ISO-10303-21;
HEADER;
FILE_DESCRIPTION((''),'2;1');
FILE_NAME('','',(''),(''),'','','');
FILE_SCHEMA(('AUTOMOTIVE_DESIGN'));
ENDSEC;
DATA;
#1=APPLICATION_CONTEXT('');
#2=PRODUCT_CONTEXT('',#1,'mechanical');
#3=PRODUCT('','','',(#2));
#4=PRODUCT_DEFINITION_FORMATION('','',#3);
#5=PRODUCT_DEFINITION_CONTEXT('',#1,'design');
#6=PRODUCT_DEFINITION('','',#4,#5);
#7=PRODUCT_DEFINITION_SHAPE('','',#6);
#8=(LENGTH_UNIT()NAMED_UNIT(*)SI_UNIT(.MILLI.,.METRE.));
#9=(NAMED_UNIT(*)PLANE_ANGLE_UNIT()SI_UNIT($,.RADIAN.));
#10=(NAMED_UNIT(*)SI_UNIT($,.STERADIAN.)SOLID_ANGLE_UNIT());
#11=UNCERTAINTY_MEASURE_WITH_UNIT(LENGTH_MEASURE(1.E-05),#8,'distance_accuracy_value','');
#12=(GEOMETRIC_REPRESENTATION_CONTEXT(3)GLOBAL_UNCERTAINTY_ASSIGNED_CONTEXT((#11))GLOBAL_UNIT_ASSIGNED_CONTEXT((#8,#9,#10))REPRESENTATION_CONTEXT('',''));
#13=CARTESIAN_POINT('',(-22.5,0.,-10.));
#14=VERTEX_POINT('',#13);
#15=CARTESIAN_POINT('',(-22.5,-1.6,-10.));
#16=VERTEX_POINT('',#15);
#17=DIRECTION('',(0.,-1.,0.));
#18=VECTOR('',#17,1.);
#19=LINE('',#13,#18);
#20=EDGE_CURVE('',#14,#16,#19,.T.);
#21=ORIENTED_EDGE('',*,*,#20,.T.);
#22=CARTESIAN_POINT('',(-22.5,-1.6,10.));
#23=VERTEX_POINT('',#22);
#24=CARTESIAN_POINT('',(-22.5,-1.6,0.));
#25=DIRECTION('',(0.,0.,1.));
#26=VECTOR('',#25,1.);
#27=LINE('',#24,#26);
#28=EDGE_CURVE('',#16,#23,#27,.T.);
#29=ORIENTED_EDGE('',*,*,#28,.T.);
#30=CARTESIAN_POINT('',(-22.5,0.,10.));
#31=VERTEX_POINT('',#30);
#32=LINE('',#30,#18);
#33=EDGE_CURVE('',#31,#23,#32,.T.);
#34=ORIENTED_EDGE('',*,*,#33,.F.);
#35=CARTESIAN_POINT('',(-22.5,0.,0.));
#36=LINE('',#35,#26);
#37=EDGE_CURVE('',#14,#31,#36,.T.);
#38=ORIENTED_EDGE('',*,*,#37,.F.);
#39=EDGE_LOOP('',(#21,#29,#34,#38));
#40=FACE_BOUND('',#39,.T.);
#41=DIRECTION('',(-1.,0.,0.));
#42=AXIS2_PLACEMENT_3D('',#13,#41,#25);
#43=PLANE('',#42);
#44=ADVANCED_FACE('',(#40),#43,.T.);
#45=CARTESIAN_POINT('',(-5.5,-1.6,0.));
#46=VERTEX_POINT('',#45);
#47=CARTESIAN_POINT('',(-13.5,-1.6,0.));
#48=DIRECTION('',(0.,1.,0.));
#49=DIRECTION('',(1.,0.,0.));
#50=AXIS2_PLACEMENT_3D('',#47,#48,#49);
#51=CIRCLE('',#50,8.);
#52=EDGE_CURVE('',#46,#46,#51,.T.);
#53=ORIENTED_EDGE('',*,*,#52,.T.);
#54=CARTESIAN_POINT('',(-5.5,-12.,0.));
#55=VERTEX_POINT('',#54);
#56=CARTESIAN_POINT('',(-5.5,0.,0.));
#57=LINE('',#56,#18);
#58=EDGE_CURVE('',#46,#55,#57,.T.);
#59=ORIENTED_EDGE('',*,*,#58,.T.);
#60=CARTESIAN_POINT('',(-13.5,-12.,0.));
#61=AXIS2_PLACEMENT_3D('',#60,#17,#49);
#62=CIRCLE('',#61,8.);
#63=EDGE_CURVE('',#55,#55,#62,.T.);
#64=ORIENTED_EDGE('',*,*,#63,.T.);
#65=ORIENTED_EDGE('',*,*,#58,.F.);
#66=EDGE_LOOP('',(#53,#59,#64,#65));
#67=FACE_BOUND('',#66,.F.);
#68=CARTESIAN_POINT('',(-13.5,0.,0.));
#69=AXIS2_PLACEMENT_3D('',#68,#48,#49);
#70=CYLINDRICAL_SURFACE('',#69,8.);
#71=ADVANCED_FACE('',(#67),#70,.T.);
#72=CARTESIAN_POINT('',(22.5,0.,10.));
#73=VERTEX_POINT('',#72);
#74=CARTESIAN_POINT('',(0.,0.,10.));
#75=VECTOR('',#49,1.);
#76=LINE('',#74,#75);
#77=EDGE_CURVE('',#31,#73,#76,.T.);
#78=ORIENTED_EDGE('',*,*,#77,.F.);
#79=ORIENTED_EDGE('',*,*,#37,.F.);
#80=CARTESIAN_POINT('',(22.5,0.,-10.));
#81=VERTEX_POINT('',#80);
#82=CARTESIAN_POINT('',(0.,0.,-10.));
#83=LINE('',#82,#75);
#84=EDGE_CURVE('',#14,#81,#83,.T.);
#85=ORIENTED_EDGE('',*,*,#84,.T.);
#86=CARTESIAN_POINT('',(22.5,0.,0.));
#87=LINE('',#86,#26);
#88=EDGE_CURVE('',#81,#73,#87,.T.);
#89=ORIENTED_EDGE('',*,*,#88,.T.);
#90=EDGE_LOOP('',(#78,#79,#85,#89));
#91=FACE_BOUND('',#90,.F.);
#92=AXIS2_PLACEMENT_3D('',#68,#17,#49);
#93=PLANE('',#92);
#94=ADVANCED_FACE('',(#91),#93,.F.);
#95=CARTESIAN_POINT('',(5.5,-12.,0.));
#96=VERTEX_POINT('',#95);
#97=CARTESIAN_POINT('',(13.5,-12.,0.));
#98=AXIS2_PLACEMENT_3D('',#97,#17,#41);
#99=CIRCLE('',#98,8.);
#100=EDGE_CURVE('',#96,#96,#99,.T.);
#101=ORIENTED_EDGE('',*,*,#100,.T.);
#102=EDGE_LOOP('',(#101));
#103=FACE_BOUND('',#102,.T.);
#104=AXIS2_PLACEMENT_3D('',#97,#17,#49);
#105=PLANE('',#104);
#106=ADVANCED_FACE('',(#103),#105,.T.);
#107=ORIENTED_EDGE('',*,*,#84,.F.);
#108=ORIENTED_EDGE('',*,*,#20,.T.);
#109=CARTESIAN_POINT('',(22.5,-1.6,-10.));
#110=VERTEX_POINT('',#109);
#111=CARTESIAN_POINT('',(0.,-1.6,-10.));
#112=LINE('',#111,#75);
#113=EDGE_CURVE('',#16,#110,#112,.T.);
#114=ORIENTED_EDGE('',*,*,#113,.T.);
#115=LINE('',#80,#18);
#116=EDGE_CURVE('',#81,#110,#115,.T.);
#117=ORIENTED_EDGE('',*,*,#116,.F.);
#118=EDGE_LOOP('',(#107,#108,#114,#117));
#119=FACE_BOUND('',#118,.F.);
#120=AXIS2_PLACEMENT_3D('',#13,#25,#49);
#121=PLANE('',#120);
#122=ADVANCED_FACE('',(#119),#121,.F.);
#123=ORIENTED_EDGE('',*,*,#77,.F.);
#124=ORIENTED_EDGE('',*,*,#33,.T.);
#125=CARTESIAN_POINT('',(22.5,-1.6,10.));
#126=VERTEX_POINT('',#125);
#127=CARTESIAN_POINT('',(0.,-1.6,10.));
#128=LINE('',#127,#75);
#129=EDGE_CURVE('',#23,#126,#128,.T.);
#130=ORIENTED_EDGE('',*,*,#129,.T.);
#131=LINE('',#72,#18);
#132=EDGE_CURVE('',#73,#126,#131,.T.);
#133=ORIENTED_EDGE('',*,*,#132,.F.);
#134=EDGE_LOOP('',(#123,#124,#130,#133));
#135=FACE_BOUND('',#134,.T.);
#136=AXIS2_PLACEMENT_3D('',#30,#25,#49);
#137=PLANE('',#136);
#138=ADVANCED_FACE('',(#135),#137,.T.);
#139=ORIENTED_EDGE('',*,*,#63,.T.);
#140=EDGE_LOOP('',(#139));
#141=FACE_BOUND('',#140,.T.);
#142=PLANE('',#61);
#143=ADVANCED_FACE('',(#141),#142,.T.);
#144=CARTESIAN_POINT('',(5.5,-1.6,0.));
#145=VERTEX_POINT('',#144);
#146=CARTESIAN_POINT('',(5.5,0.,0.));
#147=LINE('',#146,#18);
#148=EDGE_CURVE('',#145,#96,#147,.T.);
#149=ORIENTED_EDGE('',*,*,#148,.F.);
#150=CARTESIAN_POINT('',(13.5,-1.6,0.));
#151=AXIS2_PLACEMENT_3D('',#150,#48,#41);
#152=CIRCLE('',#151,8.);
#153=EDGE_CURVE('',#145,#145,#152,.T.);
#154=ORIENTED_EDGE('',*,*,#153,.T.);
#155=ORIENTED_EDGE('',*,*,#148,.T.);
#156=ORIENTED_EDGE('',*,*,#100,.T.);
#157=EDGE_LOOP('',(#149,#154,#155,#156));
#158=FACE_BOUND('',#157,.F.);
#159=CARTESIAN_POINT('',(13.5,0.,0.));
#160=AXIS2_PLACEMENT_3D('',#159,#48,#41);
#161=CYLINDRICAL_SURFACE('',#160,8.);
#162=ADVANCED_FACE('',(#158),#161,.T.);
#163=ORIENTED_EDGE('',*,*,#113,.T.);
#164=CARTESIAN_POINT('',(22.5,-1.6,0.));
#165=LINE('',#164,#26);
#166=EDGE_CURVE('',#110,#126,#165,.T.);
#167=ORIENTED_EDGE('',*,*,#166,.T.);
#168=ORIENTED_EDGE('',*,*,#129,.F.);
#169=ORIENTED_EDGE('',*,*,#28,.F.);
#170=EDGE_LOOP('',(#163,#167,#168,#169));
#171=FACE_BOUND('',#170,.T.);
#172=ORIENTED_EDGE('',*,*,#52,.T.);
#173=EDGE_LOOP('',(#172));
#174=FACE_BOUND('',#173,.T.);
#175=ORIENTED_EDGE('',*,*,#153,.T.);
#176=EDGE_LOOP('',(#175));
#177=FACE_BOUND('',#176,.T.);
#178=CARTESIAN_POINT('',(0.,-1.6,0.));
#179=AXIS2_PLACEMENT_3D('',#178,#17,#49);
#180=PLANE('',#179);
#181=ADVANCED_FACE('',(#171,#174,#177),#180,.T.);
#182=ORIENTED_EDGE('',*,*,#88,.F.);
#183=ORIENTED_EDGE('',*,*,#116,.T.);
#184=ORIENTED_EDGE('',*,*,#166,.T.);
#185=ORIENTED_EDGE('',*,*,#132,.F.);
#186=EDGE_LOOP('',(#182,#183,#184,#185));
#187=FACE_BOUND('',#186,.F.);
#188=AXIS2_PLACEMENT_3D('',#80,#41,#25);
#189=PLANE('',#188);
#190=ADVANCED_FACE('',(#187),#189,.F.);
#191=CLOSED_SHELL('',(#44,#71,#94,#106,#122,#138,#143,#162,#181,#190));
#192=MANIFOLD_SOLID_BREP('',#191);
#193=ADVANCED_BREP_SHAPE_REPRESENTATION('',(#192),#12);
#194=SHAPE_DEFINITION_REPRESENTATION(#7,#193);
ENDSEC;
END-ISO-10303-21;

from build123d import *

# Parameters (mm, degrees)
F0_W     = 45
F0_H     = 20
F1_DEPTH = 1.6
F2_R     = 8
F3_DEPTH = 12


with BuildPart() as f1:
    # F0 (on Front) → F1 (new body)
    with BuildSketch(Plane.XZ):
        Rectangle(F0_W, F0_H)
    extrude(amount=F1_DEPTH)

    # F2 (on Front) → F3 (join)
    with BuildSketch(Plane.XZ):
        with Locations((-13.5, 0)):
            Circle(F2_R)
        with BuildLine():
            ThreePointArc((21.5, 0), (13.5, 8), (5.5, 0))
            ThreePointArc((5.5, 0), (13.5, -8), (21.5, 0))
        make_face()
    extrude(amount=F3_DEPTH)


solid = f1.part
